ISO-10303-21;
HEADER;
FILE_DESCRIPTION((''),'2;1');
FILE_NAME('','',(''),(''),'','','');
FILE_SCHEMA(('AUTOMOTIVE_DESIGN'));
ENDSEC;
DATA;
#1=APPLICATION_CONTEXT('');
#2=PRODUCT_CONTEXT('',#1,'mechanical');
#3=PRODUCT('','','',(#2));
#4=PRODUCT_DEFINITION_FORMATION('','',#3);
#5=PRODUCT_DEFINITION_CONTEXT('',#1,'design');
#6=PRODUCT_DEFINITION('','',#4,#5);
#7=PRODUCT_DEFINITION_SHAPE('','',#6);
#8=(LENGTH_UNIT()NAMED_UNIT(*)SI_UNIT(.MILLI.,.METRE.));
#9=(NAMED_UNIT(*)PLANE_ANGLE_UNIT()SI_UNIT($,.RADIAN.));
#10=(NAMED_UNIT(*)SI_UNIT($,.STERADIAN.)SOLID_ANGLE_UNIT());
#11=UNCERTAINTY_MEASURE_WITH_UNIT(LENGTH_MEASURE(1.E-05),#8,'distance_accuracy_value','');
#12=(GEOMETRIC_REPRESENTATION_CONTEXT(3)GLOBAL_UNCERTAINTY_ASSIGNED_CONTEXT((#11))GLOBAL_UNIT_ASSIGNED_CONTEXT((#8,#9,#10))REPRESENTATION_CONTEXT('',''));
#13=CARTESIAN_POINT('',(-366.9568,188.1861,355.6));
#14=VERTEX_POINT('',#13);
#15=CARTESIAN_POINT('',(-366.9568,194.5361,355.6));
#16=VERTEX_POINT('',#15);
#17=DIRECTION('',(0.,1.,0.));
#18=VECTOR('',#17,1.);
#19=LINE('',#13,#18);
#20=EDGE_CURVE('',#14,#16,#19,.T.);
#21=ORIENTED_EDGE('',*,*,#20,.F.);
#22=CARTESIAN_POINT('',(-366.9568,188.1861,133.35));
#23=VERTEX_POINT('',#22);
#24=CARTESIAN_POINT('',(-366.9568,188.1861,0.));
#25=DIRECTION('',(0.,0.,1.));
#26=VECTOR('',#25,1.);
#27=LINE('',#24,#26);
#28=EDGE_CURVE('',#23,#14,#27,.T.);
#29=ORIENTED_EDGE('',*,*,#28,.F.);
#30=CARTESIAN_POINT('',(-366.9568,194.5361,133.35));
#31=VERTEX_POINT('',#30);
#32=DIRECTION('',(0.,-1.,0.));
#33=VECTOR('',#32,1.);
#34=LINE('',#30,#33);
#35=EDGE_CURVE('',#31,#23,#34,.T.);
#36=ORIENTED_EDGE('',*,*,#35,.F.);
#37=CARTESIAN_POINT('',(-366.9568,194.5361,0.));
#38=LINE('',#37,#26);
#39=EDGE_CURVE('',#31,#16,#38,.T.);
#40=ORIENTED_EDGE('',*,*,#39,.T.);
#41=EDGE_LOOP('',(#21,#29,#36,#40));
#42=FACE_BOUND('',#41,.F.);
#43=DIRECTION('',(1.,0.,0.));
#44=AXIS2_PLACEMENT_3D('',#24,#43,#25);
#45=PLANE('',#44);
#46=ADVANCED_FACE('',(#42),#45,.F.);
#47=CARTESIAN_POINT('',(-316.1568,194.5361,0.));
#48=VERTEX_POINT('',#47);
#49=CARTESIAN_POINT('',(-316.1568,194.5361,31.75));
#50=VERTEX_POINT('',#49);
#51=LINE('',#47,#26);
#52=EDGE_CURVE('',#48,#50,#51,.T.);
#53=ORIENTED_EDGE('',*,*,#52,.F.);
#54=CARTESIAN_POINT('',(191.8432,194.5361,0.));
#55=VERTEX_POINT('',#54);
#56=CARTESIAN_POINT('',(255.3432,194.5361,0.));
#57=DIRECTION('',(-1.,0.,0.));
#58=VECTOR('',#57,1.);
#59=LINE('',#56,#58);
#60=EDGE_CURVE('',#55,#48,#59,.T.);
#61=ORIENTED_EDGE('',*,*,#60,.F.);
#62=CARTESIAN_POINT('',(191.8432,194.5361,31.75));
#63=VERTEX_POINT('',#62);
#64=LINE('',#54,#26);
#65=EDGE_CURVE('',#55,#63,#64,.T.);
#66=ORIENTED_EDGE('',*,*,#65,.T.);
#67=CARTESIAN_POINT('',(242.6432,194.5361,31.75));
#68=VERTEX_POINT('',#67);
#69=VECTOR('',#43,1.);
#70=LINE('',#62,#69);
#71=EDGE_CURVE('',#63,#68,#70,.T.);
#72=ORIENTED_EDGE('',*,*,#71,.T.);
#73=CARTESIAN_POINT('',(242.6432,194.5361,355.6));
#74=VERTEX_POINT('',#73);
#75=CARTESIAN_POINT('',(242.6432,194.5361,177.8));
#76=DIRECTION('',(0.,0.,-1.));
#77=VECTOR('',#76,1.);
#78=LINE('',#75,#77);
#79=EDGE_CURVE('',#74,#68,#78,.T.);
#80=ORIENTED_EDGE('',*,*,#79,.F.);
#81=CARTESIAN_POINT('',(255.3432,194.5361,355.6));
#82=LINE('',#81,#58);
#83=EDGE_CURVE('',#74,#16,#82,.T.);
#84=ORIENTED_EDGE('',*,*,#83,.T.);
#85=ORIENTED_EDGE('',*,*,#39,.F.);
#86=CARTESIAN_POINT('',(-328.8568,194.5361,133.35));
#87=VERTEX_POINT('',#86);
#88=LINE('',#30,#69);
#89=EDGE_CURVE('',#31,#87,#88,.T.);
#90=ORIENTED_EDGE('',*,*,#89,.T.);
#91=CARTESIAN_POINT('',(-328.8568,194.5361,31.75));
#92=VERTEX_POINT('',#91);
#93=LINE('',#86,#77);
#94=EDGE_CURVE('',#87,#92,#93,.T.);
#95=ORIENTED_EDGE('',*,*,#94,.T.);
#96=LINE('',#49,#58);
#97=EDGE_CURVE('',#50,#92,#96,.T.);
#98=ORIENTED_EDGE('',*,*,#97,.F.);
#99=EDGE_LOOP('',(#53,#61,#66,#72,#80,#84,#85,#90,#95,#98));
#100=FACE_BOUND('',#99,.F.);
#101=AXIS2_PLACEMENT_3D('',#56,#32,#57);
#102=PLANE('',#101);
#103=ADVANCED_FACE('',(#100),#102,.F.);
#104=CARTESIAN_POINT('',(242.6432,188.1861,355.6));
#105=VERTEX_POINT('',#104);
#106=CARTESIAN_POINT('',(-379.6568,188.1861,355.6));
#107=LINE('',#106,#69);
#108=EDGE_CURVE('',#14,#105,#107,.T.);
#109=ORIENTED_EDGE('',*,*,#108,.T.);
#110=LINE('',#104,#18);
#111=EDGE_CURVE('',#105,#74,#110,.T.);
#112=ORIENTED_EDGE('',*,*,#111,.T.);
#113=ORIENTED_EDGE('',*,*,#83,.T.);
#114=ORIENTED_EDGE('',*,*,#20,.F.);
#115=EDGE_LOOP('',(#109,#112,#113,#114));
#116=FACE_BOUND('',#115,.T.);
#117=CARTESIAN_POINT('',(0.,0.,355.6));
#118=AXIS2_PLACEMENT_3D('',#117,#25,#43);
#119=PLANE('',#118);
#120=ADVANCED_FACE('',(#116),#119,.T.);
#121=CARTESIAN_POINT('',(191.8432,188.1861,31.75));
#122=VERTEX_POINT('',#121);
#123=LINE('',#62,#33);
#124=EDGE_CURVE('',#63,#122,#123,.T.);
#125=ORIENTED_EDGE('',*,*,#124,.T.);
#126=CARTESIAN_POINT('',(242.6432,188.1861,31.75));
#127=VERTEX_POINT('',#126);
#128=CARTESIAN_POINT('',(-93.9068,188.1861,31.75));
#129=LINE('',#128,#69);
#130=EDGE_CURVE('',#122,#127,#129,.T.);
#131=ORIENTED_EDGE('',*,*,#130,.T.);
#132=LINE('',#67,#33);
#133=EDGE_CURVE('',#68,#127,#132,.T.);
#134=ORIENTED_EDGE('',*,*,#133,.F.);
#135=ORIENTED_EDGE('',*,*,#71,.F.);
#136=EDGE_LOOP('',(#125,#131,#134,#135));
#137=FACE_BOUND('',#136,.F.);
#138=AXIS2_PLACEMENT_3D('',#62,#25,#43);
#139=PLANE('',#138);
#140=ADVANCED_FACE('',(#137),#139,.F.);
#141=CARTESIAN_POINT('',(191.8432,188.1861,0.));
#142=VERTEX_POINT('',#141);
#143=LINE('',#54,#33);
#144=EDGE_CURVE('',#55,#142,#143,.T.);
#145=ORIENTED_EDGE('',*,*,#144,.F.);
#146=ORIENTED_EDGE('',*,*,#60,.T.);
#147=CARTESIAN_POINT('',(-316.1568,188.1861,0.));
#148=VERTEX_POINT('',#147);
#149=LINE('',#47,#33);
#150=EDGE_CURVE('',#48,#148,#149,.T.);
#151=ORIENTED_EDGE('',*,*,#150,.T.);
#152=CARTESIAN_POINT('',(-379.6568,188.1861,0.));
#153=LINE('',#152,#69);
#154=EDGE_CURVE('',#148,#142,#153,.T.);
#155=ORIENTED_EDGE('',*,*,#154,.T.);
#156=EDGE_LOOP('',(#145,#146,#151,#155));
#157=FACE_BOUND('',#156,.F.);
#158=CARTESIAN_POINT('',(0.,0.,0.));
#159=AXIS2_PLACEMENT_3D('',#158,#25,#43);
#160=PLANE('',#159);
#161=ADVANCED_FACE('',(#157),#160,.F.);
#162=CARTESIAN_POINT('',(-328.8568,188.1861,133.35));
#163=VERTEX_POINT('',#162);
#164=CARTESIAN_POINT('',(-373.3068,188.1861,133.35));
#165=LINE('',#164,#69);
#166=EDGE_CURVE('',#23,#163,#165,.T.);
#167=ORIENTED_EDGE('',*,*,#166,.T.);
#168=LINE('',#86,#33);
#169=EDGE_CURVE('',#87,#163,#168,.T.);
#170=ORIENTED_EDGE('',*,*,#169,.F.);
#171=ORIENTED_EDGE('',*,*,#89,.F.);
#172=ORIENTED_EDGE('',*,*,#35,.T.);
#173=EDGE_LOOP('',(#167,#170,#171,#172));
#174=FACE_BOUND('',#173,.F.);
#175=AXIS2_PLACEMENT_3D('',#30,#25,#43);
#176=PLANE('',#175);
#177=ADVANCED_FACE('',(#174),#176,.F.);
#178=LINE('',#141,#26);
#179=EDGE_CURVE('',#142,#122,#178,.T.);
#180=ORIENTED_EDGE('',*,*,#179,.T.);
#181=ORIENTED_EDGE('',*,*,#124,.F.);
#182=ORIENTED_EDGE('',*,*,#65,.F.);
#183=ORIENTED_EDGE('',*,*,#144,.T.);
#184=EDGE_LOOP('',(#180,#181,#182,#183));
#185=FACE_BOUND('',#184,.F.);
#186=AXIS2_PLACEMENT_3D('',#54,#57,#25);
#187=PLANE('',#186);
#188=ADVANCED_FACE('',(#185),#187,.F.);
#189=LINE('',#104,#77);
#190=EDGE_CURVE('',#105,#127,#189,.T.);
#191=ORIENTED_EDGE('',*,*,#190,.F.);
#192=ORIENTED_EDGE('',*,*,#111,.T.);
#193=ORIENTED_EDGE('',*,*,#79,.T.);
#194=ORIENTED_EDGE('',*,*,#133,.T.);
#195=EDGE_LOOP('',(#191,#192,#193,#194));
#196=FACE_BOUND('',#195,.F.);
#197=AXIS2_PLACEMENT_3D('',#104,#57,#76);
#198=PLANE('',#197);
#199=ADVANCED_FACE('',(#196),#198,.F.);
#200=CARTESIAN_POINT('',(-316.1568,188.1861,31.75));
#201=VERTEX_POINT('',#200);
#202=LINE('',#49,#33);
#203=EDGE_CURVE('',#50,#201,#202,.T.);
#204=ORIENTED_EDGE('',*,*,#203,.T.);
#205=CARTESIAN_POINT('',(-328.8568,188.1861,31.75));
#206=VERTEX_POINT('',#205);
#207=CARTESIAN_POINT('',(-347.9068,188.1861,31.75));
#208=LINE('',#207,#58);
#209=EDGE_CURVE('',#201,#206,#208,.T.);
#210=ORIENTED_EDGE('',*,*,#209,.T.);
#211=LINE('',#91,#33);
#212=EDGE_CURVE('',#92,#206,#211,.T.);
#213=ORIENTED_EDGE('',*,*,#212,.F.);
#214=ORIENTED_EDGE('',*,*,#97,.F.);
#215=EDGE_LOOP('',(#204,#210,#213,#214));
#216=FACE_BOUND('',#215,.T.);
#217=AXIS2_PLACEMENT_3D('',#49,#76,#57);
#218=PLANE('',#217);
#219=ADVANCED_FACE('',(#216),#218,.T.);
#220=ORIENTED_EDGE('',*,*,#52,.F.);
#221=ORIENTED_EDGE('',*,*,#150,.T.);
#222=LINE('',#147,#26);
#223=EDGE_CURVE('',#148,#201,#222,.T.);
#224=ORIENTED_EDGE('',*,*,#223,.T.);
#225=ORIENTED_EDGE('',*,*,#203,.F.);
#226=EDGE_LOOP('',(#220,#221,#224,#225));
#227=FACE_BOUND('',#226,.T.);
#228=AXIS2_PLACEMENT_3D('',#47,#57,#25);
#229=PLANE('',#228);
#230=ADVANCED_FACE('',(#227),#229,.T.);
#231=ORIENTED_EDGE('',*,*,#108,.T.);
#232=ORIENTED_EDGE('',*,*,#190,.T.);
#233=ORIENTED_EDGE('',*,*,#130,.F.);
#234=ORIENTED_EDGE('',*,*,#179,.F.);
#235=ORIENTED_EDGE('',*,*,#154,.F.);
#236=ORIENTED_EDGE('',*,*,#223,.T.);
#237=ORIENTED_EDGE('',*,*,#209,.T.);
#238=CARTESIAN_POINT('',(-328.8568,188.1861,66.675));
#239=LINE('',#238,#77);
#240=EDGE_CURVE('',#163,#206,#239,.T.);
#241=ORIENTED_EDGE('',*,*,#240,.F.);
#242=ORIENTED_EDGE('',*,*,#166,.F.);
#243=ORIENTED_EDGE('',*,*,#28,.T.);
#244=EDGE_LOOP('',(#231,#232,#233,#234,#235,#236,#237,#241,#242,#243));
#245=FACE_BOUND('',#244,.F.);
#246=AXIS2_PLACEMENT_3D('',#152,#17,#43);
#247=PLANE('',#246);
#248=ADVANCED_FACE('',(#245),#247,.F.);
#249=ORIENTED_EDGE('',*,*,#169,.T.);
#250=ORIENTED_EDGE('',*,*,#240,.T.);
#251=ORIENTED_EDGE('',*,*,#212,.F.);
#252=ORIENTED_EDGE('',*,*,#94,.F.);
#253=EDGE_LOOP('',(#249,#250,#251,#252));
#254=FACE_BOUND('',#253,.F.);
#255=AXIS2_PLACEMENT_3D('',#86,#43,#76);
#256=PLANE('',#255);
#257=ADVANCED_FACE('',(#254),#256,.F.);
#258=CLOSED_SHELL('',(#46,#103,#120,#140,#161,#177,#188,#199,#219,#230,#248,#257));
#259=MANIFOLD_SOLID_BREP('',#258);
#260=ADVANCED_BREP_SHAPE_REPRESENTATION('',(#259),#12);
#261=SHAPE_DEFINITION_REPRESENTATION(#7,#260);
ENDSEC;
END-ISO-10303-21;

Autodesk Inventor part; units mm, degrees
ref_plane "YZ Plane" through (0, 0, 0) normal (1, 0, 0) x (0, 1, 0)
ref_plane "XZ Plane" through (0, 0, 0) normal (0, 1, 0) x (-1, 0, 0)
ref_plane "XY Plane" through (0, 0, 0) normal (0, 0, 1) x (1, 0, 0)
sketch "Sketch1" plane through (0, 0, 0) normal (0, 0, 1) x (1, 0, 0)
  line L0 (-379.6568, 188.1861) -> (255.3432, 188.1861)
  line L1 (255.3432, 188.1861) -> (255.3432, 194.5361)
  line L2 (255.3432, 194.5361) -> (-379.6568, 194.5361)
  line L3 (-379.6568, 194.5361) -> (-379.6568, 188.1861)
  point P0 (0, 0)
  dimension "d0" = 635
  dimension "d1" = 6.35
extrude "Extrusion1" add sketch "Sketch1" along normal blind 355.6
sketch "Sketch2" plane through (-379.6568, 188.1861, 0) normal (0, -1, 0) x (1, 0, 0)
  line L0 (635, 355.6) -> (0, 355.6) projected
  line L1 (0, 0) -> (0, 355.6) projected
  line L2 (0, 0) -> (635, 0) projected
  line L3 (635, 0) -> (635, 355.6) projected
  line L4 (12.7, 355.6) -> (622.3, 355.6)
  line L5 (622.3, 355.6) -> (622.3, 0)
  line L6 (622.3, 0) -> (12.7, 0)
  line L7 (12.7, 0) -> (12.7, 355.6)
  point P0 (379.6568, 0)
  dimension "d4" = 609.6
  dimension "d5" = 355.6
  dimension "d6" = 12.7
extrude "Extrusion2" cut sketch "Sketch2" against normal blind 355.6 contours L3 L2 L5 L0 | L7 L2 L1 L0
sketch "Sketch3" plane through (-366.9568, 194.5361, 0) normal (0, 1, 0) x (1, 0, 0)
  line L0 (0, 0) -> (0, -355.6) projected
  line L1 (609.6, 0) -> (558.8, 0)
  line L2 (558.8, 0) -> (558.8, -31.75)
  line L3 (558.8, -31.75) -> (609.6, -31.75)
  line L4 (609.6, -31.75) -> (609.6, 0)
  line L5 (0, 0) -> (50.8, 0)
  line L6 (50.8, 0) -> (50.8, -31.75)
  line L7 (50.8, -31.75) -> (0, -31.75)
  line L8 (0, -31.75) -> (0, 0)
  line L9 (0, -133.35) -> (38.1, -133.35)
  line L10 (38.1, -133.35) -> (38.1, -31.75)
  line L11 (38.1, -31.75) -> (0, -31.75)
  line L12 (0, -31.75) -> (0, -133.35)
  point P0 (366.9568, 0)
  dimension "d9" = 50.8
  dimension "d10" = 31.75
  dimension "d11" = 50.8
  dimension "d12" = 31.75
  dimension "d13" = 38.1
  dimension "d14" = 101.6
extrude "Extrusion3" cut sketch "Sketch3" against normal blind 25.4
properties part number "24in-by-14in_electronics_board"
